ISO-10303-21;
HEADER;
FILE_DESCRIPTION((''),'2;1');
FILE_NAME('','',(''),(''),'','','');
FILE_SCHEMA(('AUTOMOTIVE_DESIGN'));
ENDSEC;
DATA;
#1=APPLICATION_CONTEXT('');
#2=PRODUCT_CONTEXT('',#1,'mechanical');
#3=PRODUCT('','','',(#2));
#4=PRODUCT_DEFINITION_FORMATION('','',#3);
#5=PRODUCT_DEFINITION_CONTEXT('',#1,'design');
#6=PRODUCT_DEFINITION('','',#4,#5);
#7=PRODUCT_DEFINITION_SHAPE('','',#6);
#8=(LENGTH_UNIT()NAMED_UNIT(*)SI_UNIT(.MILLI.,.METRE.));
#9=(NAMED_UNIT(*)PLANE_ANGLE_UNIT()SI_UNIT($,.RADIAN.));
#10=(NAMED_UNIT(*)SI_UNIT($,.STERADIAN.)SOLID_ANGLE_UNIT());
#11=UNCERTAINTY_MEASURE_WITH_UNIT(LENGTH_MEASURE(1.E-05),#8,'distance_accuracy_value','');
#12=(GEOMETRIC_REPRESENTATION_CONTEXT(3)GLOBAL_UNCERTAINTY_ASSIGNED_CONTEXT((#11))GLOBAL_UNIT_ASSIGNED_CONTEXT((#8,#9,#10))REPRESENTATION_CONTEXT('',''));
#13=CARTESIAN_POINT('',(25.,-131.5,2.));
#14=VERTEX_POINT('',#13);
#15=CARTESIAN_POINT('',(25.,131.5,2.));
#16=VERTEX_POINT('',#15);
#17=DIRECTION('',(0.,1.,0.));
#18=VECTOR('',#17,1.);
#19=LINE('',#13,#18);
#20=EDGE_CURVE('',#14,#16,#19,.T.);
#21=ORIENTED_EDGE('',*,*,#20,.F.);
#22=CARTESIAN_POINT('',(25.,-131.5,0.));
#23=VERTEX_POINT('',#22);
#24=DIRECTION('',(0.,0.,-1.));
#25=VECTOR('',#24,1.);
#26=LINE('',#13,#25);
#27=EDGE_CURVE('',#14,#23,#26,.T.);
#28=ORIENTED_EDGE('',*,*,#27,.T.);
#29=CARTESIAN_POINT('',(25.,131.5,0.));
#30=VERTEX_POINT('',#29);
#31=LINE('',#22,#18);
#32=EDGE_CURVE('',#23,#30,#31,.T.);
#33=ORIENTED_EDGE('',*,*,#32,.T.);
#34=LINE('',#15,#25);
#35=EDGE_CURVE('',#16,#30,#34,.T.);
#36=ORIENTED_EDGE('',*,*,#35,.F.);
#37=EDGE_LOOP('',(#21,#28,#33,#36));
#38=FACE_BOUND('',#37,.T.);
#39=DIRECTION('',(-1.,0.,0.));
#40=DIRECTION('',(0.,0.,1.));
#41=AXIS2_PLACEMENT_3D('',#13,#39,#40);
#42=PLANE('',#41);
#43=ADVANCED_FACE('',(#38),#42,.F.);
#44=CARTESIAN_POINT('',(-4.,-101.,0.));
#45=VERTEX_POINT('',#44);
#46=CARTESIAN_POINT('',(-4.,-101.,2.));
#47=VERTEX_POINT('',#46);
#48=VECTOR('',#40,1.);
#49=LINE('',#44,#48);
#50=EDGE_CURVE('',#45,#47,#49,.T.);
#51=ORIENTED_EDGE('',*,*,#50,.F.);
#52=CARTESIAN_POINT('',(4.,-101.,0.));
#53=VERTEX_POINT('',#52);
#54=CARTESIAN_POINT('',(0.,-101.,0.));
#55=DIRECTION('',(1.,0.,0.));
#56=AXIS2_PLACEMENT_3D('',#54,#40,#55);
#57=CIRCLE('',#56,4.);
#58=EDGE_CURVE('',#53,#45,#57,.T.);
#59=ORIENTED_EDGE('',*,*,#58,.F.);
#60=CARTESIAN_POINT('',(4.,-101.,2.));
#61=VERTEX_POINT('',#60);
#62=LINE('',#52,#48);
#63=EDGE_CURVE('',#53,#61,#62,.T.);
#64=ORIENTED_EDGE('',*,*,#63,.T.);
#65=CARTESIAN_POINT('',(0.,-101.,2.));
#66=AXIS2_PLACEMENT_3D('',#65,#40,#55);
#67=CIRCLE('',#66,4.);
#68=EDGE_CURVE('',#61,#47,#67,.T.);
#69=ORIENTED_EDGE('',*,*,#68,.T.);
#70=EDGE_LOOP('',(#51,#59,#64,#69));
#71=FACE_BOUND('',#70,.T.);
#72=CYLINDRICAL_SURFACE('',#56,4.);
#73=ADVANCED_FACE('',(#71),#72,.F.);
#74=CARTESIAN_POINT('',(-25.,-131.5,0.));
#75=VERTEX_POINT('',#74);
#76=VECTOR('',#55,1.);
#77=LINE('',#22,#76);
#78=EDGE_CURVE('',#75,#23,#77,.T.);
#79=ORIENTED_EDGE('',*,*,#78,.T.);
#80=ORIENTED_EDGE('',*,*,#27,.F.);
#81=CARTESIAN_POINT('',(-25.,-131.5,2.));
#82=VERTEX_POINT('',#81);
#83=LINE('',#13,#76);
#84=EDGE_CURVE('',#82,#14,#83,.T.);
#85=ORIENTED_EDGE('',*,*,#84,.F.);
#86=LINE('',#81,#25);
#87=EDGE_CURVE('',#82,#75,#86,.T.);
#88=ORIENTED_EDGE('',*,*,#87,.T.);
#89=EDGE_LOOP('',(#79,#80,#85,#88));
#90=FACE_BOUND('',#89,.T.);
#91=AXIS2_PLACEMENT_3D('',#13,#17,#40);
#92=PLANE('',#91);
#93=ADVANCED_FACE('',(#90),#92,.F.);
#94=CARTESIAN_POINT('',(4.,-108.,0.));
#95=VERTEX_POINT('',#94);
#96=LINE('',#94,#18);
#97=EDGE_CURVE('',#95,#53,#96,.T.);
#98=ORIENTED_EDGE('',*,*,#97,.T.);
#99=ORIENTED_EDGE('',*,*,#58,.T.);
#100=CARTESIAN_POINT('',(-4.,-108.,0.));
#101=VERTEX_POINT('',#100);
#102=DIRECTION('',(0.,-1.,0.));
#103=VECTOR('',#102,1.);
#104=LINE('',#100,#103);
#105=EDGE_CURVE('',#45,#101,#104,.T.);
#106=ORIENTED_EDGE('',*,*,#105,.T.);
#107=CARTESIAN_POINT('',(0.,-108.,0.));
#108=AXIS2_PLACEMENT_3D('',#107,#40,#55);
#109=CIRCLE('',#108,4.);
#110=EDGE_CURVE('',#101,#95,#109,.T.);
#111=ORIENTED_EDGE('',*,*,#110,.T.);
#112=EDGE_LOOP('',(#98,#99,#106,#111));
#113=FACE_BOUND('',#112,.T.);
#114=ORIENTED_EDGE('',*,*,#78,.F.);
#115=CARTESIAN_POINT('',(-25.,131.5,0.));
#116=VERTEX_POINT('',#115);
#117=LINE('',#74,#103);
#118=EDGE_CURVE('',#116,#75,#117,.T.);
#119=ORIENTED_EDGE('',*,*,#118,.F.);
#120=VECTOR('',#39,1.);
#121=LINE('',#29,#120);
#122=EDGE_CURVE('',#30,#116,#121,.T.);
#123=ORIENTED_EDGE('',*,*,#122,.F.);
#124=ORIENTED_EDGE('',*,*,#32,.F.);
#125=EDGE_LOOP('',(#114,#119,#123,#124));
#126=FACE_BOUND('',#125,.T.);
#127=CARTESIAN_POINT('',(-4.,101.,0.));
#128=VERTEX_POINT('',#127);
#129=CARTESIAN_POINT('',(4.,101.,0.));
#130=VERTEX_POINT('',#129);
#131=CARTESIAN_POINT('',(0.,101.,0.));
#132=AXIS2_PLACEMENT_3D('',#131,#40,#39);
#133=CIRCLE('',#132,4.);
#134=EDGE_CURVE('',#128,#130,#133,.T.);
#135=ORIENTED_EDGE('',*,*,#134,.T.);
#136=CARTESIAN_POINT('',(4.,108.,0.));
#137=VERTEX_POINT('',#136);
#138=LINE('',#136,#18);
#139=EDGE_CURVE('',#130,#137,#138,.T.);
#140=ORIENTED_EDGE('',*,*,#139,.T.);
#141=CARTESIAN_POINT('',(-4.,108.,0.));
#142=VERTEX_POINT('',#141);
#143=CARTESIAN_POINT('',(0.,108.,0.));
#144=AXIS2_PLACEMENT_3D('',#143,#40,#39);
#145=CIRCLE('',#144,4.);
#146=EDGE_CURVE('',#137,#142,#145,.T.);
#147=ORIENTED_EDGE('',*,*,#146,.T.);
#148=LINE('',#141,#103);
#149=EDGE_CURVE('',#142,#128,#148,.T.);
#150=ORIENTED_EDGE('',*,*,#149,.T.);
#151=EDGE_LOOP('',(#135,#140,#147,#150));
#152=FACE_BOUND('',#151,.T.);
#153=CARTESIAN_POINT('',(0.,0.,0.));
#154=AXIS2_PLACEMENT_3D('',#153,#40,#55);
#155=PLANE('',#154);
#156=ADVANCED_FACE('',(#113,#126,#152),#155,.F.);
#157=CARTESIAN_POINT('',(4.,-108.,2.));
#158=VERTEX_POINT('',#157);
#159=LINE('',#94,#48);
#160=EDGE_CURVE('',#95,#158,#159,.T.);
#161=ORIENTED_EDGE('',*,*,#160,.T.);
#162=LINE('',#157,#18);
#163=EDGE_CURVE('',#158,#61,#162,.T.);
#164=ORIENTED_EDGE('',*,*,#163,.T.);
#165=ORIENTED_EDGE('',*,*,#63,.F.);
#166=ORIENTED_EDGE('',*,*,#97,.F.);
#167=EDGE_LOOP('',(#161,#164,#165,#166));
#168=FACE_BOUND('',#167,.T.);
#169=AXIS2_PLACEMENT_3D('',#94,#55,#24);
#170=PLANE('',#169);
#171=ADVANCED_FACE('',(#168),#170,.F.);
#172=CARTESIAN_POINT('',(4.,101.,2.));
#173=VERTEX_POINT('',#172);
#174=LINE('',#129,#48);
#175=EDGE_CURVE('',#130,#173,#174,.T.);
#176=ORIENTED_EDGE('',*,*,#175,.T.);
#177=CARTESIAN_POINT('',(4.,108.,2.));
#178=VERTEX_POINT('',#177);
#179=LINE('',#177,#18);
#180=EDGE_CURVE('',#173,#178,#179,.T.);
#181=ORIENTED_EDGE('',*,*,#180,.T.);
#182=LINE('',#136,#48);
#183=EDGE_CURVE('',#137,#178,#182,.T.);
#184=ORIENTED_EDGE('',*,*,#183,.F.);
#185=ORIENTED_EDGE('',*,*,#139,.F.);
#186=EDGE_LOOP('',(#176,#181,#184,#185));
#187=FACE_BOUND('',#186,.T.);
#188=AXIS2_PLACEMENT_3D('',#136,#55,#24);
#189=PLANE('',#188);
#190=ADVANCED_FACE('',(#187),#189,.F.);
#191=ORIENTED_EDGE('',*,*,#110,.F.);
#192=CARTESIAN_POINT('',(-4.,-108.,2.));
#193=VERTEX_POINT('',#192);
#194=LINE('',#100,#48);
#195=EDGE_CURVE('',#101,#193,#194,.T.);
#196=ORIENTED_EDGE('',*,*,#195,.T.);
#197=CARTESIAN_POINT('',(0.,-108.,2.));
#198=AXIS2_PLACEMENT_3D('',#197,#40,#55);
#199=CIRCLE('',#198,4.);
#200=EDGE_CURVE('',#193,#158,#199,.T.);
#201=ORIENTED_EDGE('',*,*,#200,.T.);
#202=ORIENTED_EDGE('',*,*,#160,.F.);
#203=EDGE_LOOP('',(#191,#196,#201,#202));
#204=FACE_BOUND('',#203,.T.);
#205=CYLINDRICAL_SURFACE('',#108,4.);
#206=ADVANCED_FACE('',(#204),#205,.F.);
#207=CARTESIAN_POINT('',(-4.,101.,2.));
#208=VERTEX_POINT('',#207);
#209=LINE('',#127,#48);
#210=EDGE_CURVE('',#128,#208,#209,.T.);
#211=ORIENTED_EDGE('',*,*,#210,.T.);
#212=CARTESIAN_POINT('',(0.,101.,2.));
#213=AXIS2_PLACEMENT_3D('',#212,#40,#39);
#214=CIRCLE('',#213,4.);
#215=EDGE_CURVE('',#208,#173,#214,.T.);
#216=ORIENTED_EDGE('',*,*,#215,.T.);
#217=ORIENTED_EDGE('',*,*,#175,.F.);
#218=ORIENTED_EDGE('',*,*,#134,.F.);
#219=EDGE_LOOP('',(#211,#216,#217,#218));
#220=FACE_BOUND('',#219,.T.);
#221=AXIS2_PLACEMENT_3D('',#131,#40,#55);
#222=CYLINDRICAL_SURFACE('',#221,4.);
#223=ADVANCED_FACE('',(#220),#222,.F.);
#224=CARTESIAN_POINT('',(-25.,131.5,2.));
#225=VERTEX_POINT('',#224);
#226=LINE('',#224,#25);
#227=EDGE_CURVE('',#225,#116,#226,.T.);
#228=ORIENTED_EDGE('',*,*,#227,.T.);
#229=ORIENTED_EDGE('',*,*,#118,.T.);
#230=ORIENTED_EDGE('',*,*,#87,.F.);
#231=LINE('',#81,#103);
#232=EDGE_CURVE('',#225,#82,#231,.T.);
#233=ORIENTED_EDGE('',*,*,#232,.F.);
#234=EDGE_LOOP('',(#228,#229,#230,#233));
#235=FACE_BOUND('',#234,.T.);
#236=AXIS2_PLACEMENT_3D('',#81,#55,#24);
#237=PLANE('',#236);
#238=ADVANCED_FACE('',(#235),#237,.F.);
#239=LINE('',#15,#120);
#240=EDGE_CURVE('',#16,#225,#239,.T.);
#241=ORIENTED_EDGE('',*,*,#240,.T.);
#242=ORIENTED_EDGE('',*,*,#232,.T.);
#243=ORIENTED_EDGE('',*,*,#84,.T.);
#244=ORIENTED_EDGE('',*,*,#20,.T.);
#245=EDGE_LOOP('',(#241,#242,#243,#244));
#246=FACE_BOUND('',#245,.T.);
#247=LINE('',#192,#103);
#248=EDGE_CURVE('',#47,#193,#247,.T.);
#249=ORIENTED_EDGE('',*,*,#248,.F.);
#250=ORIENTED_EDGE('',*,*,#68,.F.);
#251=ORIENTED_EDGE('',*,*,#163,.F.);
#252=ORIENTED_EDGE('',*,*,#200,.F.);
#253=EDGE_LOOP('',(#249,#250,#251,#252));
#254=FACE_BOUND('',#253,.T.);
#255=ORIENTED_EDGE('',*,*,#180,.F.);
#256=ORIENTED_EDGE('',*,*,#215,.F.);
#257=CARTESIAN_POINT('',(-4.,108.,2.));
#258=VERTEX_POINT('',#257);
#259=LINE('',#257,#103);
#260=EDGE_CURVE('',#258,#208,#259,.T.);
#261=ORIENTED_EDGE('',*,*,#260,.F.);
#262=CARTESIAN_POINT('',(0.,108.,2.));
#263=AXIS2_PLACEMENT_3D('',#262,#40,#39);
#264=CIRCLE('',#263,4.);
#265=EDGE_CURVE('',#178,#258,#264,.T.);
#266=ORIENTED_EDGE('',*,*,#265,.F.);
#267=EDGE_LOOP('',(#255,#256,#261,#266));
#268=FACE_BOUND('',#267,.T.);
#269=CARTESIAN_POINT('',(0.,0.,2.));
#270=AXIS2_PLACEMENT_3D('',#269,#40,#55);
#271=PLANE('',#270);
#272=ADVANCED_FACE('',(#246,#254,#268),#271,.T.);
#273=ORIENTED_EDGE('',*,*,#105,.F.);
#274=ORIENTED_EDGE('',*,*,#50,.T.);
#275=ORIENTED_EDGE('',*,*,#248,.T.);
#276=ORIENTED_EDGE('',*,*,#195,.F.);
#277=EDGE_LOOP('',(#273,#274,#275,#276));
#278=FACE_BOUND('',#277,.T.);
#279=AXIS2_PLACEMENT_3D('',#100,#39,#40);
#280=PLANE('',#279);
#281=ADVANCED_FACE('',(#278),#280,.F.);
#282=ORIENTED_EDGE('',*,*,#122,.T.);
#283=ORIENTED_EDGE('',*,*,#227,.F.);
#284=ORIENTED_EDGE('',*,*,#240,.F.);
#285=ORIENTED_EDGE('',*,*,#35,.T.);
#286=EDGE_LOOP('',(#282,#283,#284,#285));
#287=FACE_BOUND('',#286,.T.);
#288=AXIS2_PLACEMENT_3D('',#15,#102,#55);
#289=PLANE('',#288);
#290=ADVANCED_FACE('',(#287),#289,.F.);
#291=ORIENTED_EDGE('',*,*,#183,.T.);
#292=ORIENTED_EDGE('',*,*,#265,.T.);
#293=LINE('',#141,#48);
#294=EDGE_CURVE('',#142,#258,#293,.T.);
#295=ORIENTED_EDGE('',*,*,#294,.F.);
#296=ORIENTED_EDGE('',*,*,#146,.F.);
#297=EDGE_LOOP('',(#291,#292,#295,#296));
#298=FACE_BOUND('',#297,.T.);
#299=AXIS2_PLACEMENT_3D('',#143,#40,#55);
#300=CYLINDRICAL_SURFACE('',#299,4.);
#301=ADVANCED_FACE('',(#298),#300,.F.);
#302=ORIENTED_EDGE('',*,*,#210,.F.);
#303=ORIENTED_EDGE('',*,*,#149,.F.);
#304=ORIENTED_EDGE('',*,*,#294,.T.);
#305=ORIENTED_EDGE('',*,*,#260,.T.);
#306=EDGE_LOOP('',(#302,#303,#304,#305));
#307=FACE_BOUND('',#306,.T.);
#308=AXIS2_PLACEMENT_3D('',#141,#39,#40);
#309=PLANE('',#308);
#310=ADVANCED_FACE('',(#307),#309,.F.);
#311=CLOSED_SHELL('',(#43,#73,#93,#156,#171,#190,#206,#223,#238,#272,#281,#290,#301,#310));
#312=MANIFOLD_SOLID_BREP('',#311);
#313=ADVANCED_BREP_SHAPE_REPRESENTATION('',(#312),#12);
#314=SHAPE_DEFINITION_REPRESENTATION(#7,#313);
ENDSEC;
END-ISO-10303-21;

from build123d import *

# Parameters (mm, degrees)
SKETCH1_W           = 50
SKETCH1_H           = 263
BOSS_EXTRUDE1_DEPTH = 2
CUT_EXTRUDE1_DEPTH  = 134.870273026


with BuildPart() as part:
    # Sketch1 → Boss-Extrude1 (new body)
    with BuildSketch(Plane.XY):
        Rectangle(SKETCH1_W, SKETCH1_H)
    extrude(amount=BOSS_EXTRUDE1_DEPTH)

    # Sketch2 → Cut-Extrude1 (cut, through all)
    with BuildSketch(Plane.XY.offset(2)):
        with BuildLine():
            Line((-4, -108), (-4, -101))
            ThreePointArc((-4, -101), (0, -97), (4, -101))
            Line((4, -101), (4, -108))
            ThreePointArc((4, -108), (0, -112), (-4, -108))
        make_face()
        with BuildLine():
            Line((-4, 108), (-4, 101))
            ThreePointArc((-4, 101), (0, 97), (4, 101))
            Line((4, 101), (4, 108))
            ThreePointArc((4, 108), (0, 112), (-4, 108))
        make_face()
    extrude(amount=-CUT_EXTRUDE1_DEPTH, mode=Mode.SUBTRACT)


solid = part.part
